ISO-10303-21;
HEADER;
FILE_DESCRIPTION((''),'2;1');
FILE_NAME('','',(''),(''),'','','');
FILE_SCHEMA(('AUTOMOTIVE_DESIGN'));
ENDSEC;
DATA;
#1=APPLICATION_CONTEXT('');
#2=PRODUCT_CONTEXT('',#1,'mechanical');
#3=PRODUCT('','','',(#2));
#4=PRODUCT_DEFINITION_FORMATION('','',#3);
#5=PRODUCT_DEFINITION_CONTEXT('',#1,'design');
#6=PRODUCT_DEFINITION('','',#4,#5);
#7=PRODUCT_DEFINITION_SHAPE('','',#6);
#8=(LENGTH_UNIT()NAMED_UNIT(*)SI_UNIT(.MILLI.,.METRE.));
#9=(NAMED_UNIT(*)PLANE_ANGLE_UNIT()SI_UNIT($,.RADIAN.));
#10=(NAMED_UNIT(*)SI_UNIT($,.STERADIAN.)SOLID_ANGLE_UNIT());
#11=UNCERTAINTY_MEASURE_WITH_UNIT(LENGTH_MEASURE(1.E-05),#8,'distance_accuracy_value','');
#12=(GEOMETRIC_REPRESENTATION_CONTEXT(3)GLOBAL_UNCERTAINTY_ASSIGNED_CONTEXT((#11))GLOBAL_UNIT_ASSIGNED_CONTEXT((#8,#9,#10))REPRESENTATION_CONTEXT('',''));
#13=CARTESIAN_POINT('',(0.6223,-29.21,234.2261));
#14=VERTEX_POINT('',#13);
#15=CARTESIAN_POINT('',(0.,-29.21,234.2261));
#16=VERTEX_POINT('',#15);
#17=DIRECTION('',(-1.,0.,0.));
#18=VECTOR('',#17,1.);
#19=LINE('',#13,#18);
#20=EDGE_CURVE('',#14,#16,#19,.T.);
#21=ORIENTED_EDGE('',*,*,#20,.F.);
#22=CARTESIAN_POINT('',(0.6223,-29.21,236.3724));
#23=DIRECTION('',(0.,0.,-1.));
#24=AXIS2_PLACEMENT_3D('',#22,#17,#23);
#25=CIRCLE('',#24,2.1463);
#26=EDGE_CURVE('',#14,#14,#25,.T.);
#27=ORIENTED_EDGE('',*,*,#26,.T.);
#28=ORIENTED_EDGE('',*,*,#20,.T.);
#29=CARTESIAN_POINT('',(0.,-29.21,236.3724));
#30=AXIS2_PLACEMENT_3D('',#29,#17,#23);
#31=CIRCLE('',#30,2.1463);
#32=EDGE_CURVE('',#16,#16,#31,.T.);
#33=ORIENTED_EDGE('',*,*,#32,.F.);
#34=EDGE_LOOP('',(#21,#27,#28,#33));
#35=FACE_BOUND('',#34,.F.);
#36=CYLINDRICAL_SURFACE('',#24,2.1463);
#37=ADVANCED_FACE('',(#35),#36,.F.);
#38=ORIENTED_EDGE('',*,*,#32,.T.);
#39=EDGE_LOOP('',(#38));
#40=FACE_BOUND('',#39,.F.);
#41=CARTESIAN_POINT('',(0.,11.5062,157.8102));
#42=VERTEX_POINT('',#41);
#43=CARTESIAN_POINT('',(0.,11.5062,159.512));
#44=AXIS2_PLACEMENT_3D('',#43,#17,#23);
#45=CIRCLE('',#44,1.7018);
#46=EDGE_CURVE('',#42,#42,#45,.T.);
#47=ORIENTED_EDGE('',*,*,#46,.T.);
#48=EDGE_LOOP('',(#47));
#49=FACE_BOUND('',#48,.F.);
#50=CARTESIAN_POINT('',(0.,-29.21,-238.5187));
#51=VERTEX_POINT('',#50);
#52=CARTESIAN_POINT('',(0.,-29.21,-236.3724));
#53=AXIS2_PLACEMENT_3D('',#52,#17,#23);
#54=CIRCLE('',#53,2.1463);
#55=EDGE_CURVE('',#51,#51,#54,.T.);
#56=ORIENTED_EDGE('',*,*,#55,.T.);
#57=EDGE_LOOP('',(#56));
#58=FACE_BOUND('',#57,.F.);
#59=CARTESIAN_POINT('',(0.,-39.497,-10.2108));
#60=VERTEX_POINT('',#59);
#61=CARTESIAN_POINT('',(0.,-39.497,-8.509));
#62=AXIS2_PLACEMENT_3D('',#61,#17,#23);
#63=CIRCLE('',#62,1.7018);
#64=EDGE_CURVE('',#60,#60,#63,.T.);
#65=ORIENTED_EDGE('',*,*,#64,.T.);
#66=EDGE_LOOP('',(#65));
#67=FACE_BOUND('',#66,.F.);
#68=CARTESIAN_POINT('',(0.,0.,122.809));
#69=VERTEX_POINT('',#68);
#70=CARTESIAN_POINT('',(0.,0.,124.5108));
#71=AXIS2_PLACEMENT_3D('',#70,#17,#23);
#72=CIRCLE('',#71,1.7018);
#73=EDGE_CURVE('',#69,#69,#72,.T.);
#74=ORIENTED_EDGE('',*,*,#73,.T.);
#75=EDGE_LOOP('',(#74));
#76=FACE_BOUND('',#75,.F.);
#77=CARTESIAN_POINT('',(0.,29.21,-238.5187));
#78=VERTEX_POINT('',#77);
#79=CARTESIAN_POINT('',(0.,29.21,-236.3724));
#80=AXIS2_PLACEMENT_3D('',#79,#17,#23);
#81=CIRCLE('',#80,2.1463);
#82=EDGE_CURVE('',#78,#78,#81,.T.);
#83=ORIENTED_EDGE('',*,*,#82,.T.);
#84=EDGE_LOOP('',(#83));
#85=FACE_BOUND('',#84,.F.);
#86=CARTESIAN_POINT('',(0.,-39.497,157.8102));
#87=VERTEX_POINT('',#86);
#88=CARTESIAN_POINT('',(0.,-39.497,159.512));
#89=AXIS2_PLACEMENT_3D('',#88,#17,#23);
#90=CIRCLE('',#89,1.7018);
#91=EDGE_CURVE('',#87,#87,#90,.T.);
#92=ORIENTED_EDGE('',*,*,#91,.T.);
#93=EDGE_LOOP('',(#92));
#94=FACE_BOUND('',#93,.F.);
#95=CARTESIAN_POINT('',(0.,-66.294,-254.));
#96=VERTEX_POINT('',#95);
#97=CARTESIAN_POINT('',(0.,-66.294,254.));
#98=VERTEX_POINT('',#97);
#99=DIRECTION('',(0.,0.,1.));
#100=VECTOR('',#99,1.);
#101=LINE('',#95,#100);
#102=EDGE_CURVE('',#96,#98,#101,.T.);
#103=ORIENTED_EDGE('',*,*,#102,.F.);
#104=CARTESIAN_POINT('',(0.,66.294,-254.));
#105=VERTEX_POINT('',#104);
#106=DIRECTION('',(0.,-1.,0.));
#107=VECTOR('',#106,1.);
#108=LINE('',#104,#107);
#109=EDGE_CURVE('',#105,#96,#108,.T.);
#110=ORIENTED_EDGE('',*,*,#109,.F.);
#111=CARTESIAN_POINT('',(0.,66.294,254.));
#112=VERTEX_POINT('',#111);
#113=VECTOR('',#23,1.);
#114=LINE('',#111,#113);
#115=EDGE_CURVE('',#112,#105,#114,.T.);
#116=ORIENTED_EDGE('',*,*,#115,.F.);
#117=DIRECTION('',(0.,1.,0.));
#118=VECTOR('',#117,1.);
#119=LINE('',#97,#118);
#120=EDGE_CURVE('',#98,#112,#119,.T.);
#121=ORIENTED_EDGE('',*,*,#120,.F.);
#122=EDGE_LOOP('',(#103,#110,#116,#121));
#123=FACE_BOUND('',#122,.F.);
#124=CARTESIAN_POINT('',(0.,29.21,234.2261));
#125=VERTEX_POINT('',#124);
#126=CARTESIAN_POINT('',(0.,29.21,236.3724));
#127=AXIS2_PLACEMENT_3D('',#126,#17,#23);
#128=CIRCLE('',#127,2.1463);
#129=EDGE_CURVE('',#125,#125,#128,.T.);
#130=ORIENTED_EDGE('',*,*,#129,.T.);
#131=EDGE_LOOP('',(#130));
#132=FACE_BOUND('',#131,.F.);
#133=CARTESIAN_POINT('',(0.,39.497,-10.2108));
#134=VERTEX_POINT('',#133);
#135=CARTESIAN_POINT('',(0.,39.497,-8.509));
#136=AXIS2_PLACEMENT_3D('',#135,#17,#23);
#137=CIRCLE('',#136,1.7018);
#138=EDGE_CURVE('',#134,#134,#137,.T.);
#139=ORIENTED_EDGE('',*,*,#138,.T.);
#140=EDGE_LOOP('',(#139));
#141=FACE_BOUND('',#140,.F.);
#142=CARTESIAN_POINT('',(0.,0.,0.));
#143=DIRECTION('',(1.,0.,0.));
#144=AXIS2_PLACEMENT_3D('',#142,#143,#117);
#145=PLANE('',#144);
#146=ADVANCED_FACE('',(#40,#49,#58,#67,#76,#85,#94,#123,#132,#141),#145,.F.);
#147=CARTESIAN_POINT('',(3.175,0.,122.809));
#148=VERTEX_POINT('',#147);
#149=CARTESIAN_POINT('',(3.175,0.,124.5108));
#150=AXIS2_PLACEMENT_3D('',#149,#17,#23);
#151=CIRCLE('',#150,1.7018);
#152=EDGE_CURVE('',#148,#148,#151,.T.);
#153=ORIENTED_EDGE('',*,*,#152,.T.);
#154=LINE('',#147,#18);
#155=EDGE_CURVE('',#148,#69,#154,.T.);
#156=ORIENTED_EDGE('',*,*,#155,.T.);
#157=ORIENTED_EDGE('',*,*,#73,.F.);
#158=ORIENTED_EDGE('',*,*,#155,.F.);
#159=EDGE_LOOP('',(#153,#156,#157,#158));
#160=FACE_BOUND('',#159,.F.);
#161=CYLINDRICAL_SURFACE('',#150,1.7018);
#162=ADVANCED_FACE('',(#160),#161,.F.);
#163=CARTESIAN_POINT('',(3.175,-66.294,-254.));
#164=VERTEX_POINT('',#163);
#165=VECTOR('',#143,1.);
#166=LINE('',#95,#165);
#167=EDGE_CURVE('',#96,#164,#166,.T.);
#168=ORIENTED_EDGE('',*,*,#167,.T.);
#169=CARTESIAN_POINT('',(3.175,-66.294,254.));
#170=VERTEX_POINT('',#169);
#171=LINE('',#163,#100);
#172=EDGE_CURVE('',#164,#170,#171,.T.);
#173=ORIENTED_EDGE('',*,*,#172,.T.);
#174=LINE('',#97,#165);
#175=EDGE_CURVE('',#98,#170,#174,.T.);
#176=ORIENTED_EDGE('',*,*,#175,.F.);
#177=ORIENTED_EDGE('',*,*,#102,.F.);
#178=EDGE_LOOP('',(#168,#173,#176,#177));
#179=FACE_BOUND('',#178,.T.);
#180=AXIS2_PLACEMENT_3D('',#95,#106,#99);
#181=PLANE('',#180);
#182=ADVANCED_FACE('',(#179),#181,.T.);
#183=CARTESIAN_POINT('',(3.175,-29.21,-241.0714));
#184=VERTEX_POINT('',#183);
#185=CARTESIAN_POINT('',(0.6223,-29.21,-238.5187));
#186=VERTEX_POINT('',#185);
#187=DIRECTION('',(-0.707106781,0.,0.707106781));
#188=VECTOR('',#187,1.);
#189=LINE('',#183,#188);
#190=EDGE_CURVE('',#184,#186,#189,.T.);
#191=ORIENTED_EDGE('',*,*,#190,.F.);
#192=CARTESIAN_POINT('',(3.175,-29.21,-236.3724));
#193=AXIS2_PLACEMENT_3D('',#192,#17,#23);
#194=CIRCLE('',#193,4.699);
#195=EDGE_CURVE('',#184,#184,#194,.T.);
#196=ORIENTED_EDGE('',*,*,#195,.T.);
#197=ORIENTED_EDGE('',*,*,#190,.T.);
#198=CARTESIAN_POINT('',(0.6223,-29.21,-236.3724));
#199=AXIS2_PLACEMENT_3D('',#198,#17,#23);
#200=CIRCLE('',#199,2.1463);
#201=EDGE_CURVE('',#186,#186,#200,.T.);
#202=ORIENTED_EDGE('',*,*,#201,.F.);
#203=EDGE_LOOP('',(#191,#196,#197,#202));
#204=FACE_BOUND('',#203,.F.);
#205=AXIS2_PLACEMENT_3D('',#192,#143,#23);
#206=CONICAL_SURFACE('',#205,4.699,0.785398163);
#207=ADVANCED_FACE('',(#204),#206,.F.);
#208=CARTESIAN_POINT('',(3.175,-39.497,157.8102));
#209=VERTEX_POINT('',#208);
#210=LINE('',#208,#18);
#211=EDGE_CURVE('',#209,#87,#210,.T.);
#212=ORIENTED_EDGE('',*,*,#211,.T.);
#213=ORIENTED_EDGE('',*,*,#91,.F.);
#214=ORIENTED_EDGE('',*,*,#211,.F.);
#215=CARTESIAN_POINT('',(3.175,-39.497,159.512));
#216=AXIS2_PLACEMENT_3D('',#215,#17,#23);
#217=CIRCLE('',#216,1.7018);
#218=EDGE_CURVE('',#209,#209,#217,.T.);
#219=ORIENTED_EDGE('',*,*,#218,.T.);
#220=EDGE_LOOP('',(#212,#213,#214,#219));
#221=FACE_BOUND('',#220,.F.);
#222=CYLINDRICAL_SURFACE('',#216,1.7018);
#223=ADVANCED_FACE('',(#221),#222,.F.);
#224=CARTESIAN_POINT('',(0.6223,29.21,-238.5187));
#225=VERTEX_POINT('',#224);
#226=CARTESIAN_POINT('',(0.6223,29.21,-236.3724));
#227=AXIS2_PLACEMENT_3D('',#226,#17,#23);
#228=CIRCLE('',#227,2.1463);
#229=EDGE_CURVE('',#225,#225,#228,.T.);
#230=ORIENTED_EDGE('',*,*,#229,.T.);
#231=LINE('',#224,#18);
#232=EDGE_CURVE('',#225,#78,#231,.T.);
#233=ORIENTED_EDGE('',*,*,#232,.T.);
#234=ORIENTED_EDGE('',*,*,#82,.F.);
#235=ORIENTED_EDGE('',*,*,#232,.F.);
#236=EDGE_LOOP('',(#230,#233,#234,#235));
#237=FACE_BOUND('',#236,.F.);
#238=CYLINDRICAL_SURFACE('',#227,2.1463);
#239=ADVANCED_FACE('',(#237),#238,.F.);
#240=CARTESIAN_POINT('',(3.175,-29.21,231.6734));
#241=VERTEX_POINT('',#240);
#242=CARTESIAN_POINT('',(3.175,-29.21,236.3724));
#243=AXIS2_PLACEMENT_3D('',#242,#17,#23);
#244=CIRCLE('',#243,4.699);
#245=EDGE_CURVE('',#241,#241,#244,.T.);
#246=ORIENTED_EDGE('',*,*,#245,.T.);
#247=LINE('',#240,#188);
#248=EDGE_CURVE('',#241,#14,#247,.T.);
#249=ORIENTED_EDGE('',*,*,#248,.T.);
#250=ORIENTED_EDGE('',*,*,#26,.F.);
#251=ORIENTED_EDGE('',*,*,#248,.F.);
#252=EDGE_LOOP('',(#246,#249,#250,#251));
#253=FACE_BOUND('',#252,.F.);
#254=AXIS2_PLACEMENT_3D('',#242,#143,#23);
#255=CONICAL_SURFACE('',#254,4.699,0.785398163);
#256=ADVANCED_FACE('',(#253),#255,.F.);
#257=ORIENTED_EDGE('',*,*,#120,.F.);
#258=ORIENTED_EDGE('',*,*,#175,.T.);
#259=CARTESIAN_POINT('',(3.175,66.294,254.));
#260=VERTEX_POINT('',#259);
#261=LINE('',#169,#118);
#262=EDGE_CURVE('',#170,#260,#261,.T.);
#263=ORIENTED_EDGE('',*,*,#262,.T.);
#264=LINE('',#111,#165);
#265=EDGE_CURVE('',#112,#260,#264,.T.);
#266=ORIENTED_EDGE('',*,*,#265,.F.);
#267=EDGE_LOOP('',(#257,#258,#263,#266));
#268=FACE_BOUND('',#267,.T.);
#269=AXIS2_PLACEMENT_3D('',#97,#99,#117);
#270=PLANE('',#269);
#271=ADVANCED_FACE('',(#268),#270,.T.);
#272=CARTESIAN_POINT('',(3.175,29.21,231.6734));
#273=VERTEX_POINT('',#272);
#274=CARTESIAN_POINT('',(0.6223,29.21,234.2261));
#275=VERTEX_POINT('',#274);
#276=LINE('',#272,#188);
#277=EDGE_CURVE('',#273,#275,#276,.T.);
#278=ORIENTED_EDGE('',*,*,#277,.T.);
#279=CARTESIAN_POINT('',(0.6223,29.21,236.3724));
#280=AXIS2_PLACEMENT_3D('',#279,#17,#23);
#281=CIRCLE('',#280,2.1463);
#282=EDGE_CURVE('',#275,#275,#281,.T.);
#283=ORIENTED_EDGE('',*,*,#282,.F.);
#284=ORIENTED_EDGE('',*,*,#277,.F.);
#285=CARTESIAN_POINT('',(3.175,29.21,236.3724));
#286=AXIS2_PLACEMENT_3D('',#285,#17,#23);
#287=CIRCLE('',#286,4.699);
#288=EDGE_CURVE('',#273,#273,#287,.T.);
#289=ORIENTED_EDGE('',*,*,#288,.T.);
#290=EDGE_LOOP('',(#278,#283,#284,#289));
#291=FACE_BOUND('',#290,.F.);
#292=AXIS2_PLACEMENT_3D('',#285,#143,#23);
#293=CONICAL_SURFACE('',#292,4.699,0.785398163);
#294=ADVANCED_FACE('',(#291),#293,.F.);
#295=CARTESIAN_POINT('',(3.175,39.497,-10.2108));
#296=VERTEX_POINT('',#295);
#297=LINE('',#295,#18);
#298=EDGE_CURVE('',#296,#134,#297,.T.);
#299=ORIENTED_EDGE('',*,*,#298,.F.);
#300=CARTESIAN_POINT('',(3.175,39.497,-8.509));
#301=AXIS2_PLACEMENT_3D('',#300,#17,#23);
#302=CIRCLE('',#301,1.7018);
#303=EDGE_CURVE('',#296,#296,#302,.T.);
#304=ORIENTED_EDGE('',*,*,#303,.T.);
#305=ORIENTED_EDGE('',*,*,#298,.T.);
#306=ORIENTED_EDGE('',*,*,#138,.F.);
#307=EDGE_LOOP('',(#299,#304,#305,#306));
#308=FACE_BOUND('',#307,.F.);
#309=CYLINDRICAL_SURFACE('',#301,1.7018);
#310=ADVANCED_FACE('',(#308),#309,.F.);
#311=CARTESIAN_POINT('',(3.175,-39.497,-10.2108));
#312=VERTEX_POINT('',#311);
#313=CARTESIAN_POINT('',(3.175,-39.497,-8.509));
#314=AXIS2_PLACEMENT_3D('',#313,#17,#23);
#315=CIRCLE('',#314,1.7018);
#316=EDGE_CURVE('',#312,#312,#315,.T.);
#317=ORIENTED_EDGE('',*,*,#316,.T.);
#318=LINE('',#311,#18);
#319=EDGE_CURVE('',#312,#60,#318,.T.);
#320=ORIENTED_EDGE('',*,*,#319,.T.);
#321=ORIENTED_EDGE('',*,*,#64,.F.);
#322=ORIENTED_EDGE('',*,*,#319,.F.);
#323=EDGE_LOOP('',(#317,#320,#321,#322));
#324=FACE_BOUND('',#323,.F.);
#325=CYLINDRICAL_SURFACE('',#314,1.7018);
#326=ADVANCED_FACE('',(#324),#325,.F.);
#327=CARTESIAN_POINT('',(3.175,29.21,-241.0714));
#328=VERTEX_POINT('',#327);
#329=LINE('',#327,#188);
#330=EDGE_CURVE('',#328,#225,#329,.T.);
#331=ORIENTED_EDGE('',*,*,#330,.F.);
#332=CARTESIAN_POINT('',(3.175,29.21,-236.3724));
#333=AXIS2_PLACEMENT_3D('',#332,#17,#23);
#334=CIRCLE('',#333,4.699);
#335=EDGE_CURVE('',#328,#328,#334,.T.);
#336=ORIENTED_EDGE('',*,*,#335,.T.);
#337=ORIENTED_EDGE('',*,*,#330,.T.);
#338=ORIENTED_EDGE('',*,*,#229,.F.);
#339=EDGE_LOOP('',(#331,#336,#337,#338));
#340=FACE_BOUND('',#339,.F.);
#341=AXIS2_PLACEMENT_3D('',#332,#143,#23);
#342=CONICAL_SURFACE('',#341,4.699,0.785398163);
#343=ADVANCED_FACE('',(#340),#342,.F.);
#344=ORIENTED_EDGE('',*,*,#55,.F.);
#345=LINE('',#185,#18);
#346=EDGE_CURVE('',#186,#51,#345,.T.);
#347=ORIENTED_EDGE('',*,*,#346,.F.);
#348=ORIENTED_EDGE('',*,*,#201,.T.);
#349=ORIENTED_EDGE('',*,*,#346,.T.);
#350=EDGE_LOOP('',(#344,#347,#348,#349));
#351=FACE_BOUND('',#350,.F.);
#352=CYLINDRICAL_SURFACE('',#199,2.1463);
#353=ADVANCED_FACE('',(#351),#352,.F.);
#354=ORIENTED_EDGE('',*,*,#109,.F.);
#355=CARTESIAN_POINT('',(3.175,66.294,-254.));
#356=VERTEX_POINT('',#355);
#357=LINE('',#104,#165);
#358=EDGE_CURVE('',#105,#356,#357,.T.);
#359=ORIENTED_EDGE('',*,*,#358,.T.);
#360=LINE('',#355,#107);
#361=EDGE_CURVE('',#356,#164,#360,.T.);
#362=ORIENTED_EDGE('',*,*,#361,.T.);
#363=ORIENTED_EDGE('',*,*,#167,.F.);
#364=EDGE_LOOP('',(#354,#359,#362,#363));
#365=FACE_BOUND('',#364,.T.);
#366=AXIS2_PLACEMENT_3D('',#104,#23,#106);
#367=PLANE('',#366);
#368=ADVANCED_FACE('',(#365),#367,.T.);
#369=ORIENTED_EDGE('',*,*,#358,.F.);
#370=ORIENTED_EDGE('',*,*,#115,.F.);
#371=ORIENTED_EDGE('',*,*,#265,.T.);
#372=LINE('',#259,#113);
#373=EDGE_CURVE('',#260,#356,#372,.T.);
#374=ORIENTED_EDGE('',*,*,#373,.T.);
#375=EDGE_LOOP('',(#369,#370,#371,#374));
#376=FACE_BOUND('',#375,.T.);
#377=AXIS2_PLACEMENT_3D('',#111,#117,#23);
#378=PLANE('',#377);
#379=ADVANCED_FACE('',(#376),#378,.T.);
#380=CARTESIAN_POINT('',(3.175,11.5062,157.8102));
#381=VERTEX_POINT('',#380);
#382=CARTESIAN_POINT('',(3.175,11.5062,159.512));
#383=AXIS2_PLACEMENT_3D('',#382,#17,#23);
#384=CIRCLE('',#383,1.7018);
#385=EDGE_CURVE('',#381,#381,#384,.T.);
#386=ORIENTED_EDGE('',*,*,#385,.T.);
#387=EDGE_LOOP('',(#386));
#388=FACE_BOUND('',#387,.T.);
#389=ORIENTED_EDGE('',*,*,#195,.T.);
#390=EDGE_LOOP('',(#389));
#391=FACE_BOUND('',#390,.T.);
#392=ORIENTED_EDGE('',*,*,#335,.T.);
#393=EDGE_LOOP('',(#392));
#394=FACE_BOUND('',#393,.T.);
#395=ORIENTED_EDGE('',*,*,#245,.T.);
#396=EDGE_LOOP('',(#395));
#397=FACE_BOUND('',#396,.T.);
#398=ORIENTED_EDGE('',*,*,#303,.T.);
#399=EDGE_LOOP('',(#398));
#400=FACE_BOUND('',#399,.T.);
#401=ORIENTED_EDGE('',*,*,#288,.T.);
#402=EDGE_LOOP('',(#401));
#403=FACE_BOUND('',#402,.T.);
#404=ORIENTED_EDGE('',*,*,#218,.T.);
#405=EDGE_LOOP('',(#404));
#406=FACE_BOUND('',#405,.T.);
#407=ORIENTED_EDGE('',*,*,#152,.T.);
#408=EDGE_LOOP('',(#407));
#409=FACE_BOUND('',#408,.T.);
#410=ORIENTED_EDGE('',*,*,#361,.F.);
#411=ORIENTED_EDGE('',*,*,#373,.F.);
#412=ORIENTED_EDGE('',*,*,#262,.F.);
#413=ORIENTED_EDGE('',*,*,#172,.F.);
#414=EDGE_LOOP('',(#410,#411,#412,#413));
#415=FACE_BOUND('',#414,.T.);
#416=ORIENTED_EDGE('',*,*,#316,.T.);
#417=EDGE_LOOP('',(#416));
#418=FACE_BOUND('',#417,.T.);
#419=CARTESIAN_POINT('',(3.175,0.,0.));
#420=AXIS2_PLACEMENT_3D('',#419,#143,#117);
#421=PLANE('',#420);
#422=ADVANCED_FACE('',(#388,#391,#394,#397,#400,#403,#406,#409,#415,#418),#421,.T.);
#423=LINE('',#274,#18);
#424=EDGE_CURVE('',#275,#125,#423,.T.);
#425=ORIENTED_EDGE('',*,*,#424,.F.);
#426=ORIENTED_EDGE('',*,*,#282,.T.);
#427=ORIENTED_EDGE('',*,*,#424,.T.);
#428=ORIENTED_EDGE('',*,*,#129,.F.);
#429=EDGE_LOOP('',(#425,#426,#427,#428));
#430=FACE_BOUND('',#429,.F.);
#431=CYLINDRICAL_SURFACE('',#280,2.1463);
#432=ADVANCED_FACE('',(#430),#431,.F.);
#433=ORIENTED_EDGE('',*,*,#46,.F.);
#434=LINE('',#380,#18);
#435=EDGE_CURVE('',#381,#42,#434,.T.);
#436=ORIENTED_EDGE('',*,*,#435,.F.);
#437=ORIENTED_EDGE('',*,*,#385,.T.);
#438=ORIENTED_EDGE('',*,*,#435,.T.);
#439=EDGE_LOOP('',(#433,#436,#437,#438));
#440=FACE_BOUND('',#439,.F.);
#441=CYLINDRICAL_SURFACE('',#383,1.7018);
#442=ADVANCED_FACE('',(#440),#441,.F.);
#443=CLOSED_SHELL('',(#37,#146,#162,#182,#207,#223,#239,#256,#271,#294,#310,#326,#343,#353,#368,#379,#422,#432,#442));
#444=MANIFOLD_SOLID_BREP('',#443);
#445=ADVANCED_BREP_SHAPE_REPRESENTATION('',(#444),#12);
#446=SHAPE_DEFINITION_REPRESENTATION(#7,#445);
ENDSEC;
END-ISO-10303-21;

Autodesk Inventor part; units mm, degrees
ref_plane "YZ Plane" through (0, 0, 0) normal (1, 0, 0) x (0, 1, 0)
ref_plane "XZ Plane" through (0, 0, 0) normal (0, 1, 0) x (-1, 0, 0)
ref_plane "XY Plane" through (0, 0, 0) normal (0, 0, 1) x (1, 0, 0)
sketch "Sketch1" plane through (0, 0, 0) normal (1, 0, 0) x (0, 1, 0)
  line L0 (-66.294, 254) -> (66.294, 254)
  line L1 (66.294, 254) -> (66.294, -254)
  line L2 (66.294, -254) -> (-66.294, -254)
  line L3 (-66.294, -254) -> (-66.294, 254)
  line L4 (-66.294, 254) -> (66.294, -254) construction
  line L5 (66.294, 254) -> (-66.294, -254) construction
  point P0 (0, 0)
  dimension "d0" = 508
  dimension "d1" = 132.588
extrude "pdu nmt right side panel" add sketch "Sketch1" along normal blind 3.175
sketch "snap psu" plane through (0, 0, 0) normal (-1, 0, 0) x (0, 0, 1)
  line L0 (-21.209, -49.5046) -> (-21.209, 49.5046) construction
  line L1 (-21.209, 49.5046) -> (190.5, 49.5046) construction
  line L2 (190.5, 49.5046) -> (190.5, -49.5046) construction
  line L3 (190.5, -49.5046) -> (-21.209, -49.5046) construction
  line L4 (179.5018, -49.5046) -> (179.5018, 49.5046) construction
  line L5 (-254, 66.294) -> (254, 66.294) projected
  line L6 (254, -66.294) -> (254, 66.294) projected
  line L7 (159.512, 11.5062) -> (159.512, -19.2811) construction
  line L8 (-8.509, 39.497) -> (-8.509, -39.497) construction
  line L9 (124.5108, 0) -> (186.1095, 0) construction
  point P0 (0, 0)
  point P1 (159.512, -39.497)
  dimension "d19" = 10.0076
  dimension "d20" = 30.988
  dimension "d21" = 99.0092
  dimension "d22" = 12.7
  dimension "d23" = 10.9982
  dimension "d24" = 16.7894
  dimension "d25" = 63.5
  dimension "d33" = 10.0076
  dimension "d34" = 89.0016
  dimension "d35" = 30.988
  dimension "d36" = 61.0108
  dimension "d37" = 65.9892
  dimension "d38" = 49.5046
  dimension "d39" = 199.009
  dimension "d40" = 199.009
sketch "Sketch5" plane through (3.175, 0, 0) normal (1, 0, 0) x (0, 0, -1)
  point P0 (0, 0)
  point P1 (8.509, 39.497)
  point P2 (8.509, -39.497)
  point P3 (-124.5108, 0)
  point P4 (-159.512, 11.5062)
  point P5 (-159.512, -39.497)
hole "snap psu holes" at (3.175, 11.5062, 159.512) at (3.175, -39.497, 159.512) at (3.175, 0, 124.5108) at (3.175, 39.497, -8.509) at (3.175, -39.497, -8.509) direction (-1, 0, 0) diameter 3.4036 end through all clearance for "Countersunk Flat Head Screw ISO 2009/7046" size "M3" standard "ISO"
sketch "brackets" plane through (3.175, 0, 0) normal (1, 0, 0) x (0, 0, -1)
  line L0 (-254, 66.294) -> (-254, -66.294) construction
  line L1 (-249.428, 54.61) -> (-230.378, 54.61) construction
  line L2 (-230.378, 54.61) -> (-230.378, -54.61) construction
  line L3 (-230.378, -54.61) -> (-249.428, -54.61) construction
  line L4 (-249.428, -54.61) -> (-249.428, 54.61) construction
  line L5 (254, 66.294) -> (-254, 66.294) construction
  line L6 (254, -66.294) -> (254, 66.294) construction
  line L7 (249.428, 54.61) -> (230.378, 54.61) construction
  line L8 (230.378, 54.61) -> (230.378, -54.61) construction
  line L9 (230.378, -54.61) -> (249.428, -54.61) construction
  line L10 (249.428, -54.61) -> (249.428, 54.61) construction
  point P0 (0, 0)
  point P1 (236.3724, 29.21)
  point P2 (236.3724, -29.21)
  point P3 (-236.3724, 29.21)
  point P4 (-236.3724, -29.21)
  dimension "d38" = 49.5046
  dimension "d41" = 11.684
  dimension "d42" = 109.22
  dimension "d43" = 19.05
  dimension "d44" = 11.684
  dimension "d45" = 19.05
  dimension "d46" = 109.22
  dimension "d47" = 25.4
  dimension "d48" = 5.9944
  dimension "d49" = 25.4
  dimension "d50" = 5.9944
  dimension "d51" = 25.4
  dimension "d53" = 25.4
  dimension "d54" = 5.9944
  dimension "d55" = 5.9944
  dimension "d70" = 4.572
  dimension "d71" = 4.572
hole "Hole4" at (3.175, 29.21, -236.3724) at (3.175, -29.21, -236.3724) at (3.175, -29.21, 236.3724) at (3.175, 29.21, 236.3724) direction (-1, 0, 0) diameter 4.2926 end through all countersink diameter 9.398 countersink angle 90 clearance for "Countersunk Flat Head Screw ISO 2009/7046" size "M4" standard "ISO"
properties part number "nmt_sidepanel_20in"
